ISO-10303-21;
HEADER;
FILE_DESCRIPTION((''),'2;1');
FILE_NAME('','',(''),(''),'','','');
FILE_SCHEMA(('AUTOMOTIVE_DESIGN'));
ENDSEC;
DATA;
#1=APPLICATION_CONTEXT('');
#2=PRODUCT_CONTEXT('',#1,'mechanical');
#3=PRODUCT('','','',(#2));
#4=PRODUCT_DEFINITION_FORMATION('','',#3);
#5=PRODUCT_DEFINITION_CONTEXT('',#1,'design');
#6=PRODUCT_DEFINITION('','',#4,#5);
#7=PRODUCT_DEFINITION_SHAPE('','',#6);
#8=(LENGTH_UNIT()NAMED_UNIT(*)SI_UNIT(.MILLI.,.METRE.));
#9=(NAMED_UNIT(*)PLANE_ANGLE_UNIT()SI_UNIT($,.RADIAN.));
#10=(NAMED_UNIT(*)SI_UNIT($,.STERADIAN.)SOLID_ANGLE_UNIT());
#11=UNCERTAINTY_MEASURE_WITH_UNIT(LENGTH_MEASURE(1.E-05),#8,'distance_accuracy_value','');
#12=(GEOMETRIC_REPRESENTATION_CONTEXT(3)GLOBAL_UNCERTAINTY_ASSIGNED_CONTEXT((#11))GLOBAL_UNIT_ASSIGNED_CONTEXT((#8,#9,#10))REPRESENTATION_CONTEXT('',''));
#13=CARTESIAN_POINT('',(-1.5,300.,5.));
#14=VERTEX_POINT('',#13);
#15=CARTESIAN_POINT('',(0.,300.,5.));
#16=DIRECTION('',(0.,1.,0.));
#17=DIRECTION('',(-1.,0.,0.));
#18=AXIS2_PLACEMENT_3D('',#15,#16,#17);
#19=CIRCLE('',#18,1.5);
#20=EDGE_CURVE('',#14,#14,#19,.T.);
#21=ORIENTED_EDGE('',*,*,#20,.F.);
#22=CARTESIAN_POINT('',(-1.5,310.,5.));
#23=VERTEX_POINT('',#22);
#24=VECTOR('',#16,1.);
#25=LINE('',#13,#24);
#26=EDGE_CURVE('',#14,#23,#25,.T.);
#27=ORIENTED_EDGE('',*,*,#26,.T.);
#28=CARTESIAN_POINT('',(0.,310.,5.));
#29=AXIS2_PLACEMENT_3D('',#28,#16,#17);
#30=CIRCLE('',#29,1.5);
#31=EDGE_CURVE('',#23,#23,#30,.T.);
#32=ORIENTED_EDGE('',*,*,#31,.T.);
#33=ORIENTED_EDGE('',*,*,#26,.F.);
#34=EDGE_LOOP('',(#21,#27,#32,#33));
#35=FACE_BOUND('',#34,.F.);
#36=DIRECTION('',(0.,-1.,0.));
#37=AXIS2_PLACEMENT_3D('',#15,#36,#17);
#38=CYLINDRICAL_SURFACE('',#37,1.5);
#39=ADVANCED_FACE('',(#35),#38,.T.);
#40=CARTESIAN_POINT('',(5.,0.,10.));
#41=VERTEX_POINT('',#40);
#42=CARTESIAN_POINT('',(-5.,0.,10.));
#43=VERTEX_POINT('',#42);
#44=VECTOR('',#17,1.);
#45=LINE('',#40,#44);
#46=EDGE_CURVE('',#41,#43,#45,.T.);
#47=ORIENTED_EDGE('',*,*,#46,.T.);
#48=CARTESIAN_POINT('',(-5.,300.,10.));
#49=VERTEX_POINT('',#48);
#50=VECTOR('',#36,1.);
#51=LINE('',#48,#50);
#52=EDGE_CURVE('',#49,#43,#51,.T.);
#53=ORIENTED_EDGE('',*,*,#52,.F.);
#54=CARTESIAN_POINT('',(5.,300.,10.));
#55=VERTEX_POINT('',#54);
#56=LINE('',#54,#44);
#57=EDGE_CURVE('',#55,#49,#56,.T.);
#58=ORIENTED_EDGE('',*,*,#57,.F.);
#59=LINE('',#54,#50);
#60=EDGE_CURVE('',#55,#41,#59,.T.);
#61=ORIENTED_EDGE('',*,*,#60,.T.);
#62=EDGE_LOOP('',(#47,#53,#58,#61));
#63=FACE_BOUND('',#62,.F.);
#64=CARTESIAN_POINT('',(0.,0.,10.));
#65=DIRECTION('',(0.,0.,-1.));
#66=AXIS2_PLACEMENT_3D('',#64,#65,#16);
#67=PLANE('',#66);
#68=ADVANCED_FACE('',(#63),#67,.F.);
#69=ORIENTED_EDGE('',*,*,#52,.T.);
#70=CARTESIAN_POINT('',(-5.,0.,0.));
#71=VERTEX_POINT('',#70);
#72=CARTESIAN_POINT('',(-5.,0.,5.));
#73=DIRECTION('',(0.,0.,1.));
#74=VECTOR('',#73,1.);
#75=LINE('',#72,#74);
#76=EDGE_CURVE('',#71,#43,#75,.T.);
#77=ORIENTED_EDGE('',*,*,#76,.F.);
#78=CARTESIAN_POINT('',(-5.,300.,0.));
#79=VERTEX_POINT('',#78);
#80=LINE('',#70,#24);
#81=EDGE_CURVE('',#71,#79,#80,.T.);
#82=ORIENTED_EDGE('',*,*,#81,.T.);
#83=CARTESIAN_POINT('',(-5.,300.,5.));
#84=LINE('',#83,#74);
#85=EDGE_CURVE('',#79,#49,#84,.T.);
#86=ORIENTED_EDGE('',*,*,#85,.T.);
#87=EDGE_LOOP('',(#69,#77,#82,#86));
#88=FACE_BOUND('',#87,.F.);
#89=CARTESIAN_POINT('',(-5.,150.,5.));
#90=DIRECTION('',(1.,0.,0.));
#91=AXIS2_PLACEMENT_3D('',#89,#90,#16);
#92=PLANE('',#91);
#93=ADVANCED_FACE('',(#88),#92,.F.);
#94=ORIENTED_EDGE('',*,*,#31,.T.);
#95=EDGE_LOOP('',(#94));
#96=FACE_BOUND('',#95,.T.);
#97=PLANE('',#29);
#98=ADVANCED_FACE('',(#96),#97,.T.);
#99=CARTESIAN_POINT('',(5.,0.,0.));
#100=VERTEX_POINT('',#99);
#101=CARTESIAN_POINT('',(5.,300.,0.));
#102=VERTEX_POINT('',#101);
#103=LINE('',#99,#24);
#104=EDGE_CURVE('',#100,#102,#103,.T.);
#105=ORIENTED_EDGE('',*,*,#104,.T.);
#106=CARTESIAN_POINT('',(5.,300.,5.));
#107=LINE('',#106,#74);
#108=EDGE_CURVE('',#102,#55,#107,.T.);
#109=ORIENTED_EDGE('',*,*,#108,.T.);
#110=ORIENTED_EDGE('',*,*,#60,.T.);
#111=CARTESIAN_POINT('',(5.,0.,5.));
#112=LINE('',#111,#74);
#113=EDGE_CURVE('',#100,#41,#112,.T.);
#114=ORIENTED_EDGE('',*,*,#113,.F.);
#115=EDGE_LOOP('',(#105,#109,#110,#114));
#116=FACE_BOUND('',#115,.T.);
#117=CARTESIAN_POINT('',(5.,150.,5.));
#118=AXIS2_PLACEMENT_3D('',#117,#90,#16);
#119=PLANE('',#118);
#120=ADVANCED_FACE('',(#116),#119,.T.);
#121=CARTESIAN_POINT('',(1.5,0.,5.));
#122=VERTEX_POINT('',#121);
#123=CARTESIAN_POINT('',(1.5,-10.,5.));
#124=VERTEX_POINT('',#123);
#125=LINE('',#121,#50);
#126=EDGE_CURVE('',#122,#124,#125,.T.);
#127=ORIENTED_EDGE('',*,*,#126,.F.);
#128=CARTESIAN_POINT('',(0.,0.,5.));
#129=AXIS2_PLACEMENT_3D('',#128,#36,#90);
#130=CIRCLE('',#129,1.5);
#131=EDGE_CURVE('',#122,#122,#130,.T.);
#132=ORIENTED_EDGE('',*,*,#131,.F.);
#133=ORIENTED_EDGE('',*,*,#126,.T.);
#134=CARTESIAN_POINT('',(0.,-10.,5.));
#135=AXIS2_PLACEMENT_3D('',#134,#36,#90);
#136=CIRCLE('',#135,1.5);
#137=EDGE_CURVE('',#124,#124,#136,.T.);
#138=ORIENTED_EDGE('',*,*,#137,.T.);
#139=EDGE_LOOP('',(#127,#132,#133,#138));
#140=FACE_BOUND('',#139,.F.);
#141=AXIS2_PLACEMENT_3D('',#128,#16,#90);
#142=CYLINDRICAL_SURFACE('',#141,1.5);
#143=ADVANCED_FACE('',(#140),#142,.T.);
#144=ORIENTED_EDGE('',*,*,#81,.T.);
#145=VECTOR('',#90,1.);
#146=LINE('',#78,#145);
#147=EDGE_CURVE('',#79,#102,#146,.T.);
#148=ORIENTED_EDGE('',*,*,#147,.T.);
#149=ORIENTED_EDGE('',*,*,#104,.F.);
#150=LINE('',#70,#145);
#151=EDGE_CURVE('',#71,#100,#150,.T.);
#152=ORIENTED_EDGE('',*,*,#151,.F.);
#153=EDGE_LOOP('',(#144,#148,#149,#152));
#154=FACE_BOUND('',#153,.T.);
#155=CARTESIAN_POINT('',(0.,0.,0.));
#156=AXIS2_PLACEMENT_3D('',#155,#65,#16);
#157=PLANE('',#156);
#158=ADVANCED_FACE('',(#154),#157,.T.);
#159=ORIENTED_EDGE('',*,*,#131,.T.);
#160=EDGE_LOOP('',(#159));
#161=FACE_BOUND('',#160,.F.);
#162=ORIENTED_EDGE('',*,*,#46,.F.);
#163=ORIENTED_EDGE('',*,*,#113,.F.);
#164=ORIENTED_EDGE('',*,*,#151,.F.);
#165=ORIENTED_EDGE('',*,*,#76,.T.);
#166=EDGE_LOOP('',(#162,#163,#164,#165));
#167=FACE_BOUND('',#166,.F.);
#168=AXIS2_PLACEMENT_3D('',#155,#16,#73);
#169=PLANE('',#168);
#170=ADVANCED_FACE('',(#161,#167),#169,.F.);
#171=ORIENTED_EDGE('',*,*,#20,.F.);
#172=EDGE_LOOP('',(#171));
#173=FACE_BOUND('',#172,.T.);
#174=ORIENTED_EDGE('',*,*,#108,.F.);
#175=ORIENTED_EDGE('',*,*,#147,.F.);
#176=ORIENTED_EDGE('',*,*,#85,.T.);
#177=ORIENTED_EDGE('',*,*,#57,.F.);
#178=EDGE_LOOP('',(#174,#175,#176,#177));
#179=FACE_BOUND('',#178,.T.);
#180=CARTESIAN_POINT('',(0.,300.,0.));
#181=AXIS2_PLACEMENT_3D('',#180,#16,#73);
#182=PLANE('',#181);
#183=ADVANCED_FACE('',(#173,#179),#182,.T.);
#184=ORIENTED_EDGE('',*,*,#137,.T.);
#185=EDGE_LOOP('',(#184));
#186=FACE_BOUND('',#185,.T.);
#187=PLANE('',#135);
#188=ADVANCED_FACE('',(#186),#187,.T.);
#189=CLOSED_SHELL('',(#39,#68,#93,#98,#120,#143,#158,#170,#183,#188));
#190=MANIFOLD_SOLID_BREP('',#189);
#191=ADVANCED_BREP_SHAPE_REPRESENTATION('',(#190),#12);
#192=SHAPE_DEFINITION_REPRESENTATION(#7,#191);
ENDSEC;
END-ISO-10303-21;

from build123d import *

# Parameters (mm, degrees)
F0_W       = 300
F0_H       = 10
F1_DEPTH   = 5
F2_R       = 1.5
F1_FACE1_W = 10
F1_FACE1_H = 10
F3_DEPTH   = 10
F4_R       = 1.5
F5_DEPTH   = 10


with BuildPart() as f1:
    # F0 (on Right) → F1 (new body, symmetric)
    with BuildSketch(Plane.YZ):
        with Locations((150, 5)):
            Rectangle(F0_W, F0_H)
    extrude(amount=F1_DEPTH, both=True)

    # F2 (on face) + F1_face1 (on face) → F3 (join)
    with BuildSketch(Plane.XZ):
        with Locations((0, 5)):
            Circle(F2_R)
    with BuildSketch(Plane(origin=(0, 300, 5), x_dir=(-1, 0, 0), z_dir=(0, 1, 0))):
        Rectangle(F1_FACE1_W, F1_FACE1_H)
    extrude(amount=F3_DEPTH, dir=(0, -1, 0))

    # F4 (on face) → F5 (join)
    with BuildSketch(Plane(origin=(0, 300, 0), x_dir=(-1, 0, 0), z_dir=(0, 1, 0))):
        with Locations((0, 5)):
            Circle(F4_R)
    extrude(amount=F5_DEPTH)


solid = f1.part
